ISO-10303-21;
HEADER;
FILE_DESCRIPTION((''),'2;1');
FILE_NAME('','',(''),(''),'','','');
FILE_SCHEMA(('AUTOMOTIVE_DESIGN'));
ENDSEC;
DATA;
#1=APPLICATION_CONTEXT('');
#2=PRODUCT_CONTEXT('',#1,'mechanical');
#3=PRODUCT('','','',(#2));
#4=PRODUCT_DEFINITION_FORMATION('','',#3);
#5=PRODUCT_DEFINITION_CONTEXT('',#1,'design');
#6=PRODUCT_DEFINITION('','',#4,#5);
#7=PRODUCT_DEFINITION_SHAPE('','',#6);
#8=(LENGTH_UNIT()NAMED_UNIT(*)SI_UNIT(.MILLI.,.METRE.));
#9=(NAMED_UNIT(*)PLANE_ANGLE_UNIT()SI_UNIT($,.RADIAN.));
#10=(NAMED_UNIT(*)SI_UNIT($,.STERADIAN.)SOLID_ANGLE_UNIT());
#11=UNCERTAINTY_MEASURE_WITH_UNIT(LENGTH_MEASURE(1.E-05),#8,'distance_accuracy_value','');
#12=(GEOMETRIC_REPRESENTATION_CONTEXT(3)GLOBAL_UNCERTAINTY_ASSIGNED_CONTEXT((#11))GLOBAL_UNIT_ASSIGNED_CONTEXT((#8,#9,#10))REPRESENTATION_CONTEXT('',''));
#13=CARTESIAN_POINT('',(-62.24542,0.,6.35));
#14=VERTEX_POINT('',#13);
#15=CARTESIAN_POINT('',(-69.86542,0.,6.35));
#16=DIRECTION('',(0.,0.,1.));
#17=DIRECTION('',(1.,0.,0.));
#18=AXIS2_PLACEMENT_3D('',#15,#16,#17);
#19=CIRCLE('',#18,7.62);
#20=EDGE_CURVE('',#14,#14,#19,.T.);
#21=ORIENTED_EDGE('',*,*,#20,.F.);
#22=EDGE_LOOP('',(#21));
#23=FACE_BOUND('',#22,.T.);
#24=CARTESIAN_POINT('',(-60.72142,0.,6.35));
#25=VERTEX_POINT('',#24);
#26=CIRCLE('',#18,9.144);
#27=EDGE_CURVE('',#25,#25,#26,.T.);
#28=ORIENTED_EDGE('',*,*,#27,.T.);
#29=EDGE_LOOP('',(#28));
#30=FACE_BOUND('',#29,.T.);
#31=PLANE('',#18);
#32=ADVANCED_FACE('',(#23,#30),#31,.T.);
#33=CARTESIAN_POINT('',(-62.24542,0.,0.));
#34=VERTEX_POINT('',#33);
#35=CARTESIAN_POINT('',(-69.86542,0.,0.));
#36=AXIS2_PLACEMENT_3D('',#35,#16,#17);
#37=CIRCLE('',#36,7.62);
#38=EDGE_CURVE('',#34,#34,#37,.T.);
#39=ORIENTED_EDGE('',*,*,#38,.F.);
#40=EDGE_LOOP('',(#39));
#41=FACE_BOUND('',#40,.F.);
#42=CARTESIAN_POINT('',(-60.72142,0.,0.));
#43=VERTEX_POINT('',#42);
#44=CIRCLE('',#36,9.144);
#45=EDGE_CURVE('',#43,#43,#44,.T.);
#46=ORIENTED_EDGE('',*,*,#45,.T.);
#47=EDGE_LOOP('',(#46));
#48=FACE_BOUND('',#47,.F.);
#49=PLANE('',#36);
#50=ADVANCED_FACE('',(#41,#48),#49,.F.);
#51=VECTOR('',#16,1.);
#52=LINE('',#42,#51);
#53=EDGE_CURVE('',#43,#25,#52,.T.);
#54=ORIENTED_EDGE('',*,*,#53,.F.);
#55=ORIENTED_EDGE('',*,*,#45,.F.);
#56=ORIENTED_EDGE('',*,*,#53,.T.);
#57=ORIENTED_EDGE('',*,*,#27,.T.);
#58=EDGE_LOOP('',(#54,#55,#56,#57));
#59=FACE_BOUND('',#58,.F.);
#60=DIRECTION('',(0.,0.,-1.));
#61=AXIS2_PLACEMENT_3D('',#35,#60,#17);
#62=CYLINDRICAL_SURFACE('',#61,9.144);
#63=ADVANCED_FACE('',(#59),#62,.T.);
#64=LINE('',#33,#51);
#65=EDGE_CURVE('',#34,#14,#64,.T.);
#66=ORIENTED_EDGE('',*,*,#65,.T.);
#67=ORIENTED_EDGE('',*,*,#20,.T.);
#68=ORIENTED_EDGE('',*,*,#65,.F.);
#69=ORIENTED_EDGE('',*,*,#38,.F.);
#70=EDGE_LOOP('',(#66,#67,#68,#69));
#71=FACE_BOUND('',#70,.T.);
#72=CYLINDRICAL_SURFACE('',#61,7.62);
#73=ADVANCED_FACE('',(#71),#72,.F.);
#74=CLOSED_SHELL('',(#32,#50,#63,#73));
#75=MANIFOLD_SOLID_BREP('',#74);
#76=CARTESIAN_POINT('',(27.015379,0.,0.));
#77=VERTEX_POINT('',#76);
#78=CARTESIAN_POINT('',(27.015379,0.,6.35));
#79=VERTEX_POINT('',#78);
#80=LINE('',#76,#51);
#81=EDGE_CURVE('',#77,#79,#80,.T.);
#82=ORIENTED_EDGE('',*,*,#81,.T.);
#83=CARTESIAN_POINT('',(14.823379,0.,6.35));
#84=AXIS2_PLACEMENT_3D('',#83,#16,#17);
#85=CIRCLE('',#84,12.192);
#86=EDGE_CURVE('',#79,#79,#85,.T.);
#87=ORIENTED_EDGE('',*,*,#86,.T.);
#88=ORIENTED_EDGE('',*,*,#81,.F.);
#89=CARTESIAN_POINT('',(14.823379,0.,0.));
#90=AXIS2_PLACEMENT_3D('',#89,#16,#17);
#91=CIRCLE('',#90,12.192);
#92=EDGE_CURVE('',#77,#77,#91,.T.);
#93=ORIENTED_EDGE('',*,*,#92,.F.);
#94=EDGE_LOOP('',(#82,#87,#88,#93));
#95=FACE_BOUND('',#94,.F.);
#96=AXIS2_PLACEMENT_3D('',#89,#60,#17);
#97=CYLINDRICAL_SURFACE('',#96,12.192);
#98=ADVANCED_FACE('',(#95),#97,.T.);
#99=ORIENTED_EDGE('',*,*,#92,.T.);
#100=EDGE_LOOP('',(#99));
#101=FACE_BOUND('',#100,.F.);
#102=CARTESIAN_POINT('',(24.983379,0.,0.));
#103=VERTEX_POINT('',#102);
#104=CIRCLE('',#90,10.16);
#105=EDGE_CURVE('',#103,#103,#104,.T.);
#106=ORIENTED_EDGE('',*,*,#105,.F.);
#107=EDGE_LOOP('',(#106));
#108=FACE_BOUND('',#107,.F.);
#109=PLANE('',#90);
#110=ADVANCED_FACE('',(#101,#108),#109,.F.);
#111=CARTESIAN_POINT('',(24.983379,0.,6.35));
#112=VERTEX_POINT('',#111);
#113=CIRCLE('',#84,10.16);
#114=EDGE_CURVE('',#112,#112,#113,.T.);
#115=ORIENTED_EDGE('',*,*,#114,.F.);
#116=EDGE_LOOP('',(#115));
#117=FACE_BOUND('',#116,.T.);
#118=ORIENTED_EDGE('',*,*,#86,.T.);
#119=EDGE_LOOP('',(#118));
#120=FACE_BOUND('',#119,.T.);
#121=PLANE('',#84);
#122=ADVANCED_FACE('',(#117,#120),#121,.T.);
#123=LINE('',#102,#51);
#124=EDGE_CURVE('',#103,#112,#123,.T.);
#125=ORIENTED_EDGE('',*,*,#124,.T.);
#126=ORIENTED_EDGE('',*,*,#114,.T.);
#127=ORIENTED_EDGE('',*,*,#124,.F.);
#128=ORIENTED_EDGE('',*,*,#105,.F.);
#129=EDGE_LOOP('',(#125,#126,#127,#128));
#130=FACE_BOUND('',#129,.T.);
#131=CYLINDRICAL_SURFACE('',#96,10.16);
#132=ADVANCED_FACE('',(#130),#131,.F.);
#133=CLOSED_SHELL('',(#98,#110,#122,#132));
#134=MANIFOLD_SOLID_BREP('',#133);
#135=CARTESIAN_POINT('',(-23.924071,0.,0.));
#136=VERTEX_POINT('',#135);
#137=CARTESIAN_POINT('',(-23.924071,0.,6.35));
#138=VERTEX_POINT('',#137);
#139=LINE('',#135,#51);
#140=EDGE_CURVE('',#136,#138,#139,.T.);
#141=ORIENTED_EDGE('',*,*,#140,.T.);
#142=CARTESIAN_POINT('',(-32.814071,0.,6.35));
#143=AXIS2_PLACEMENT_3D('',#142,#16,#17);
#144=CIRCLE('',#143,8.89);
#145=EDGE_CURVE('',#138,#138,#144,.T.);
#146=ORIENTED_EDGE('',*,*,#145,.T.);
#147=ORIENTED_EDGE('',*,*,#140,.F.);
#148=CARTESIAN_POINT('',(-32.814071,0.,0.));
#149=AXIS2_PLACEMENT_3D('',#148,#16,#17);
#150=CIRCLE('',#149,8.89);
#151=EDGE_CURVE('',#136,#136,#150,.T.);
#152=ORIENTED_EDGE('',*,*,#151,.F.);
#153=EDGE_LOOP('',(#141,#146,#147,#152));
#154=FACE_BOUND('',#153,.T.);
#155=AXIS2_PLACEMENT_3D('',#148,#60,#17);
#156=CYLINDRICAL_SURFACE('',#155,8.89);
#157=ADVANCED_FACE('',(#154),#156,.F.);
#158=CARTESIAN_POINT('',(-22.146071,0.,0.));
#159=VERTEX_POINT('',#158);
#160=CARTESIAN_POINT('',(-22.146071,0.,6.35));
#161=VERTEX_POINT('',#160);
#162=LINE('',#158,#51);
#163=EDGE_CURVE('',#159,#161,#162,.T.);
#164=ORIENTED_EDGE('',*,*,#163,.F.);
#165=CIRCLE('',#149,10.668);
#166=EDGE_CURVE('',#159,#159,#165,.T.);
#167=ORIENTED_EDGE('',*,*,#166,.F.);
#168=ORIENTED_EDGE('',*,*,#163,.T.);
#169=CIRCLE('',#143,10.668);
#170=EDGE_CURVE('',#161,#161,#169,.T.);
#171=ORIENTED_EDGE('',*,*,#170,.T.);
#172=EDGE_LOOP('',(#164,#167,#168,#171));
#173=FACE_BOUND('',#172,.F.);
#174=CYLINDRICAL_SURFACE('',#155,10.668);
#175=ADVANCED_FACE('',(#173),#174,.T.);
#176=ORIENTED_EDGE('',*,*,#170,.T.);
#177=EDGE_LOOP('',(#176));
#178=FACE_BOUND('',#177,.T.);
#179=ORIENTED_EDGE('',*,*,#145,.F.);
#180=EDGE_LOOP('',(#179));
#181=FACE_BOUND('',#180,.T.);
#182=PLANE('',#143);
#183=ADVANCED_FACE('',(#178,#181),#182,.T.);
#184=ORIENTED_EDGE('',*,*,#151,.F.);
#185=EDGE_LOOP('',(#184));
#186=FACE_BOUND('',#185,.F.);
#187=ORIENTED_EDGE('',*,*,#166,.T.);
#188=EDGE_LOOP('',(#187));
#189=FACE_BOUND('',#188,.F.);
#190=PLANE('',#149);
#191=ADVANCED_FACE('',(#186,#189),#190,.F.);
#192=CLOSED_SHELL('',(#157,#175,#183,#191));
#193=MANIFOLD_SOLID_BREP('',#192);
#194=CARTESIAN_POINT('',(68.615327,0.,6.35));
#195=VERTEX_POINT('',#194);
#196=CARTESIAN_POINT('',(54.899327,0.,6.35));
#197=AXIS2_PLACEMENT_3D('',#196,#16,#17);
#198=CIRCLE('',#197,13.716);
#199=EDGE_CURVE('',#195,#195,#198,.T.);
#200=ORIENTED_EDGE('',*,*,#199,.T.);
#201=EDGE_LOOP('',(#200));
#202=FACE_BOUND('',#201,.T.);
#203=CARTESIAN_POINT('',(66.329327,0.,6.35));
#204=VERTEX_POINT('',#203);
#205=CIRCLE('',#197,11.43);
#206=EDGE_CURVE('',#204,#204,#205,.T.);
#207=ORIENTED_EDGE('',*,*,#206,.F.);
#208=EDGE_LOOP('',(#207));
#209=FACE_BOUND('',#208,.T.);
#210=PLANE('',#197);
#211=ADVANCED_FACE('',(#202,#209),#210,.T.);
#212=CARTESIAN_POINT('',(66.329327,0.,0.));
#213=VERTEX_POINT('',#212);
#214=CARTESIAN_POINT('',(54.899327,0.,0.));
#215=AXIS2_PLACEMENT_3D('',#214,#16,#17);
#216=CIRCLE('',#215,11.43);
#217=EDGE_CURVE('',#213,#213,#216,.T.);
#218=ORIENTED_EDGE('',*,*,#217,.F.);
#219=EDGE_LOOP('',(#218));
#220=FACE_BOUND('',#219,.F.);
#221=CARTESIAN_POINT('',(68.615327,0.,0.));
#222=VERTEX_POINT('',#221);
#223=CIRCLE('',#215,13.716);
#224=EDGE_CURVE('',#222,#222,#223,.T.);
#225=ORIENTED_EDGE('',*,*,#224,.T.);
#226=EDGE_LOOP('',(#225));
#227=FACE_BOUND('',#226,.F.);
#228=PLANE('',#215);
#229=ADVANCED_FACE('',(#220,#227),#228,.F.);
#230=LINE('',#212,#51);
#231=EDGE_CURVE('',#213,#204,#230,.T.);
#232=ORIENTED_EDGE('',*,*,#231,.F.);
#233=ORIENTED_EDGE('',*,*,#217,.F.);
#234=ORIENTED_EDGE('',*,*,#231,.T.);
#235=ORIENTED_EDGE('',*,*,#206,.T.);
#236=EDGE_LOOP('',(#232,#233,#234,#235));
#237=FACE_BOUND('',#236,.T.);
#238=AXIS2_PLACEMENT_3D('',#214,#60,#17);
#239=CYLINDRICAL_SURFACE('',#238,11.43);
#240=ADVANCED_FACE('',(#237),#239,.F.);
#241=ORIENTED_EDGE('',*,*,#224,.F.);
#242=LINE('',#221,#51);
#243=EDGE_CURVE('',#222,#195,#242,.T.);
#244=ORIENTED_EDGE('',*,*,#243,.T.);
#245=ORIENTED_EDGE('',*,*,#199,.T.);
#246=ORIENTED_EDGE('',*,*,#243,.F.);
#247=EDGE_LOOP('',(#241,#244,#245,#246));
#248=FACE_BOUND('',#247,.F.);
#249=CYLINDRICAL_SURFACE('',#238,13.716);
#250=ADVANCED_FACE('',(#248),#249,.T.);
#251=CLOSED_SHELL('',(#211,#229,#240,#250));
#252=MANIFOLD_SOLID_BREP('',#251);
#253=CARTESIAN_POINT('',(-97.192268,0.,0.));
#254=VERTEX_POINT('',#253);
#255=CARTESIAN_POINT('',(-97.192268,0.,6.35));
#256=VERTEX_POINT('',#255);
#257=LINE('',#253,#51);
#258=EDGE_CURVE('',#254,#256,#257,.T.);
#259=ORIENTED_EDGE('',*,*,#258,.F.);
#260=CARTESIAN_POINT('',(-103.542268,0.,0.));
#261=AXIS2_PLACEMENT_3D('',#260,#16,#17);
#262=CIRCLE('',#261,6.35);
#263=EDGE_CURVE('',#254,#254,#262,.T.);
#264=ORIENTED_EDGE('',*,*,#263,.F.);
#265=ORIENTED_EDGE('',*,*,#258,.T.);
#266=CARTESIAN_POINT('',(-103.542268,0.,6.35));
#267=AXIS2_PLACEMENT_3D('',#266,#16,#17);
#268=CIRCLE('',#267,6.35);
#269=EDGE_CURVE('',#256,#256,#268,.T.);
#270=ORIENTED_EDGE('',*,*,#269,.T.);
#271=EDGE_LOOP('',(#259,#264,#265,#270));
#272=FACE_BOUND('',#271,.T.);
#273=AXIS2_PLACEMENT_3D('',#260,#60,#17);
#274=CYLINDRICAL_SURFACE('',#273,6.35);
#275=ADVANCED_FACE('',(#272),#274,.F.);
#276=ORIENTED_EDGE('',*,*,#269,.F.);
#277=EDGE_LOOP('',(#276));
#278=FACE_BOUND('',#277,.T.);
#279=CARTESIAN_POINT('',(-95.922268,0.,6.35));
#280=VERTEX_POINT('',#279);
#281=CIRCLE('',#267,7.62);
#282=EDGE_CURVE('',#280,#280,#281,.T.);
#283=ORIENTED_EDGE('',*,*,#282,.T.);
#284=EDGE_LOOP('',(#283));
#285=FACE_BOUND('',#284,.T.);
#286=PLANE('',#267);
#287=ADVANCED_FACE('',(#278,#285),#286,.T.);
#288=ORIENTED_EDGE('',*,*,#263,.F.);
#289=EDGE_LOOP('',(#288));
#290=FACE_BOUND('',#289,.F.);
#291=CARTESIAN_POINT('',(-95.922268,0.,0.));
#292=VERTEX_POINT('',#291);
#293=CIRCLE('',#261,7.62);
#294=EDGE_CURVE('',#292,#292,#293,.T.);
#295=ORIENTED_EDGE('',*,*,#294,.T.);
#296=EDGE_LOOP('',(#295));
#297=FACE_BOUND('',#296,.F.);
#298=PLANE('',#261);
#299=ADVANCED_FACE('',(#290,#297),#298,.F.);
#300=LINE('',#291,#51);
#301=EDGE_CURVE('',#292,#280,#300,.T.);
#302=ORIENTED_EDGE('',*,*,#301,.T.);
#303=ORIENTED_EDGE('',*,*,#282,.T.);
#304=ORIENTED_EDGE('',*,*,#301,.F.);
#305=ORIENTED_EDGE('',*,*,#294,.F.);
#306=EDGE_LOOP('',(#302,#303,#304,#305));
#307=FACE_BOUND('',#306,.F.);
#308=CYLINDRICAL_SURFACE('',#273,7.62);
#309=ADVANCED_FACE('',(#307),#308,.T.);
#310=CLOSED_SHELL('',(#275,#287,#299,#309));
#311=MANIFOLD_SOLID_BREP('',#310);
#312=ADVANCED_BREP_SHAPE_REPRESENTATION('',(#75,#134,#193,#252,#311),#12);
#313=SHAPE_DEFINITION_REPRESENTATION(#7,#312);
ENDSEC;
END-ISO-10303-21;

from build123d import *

# Parameters (mm, degrees)
F0_R     = 7.62
F0_R_2   = 6.35
F0_R_3   = 9.144
F0_R_4   = 10.668
F0_R_5   = 8.89
F0_R_6   = 12.192
F0_R_7   = 10.16
F0_R_8   = 13.716
F0_R_9   = 11.43
F1_DEPTH = 6.35


with BuildPart() as f1:
    # F0 (on Top) → F1 (new body)
    with BuildSketch(Plane.XY):
        with Locations((-103.542268, 0)):
            Circle(F0_R)
        with Locations((-103.542268, 0)):
            Circle(F0_R_2, mode=Mode.SUBTRACT)
        with Locations((-69.86542, 0)):
            Circle(F0_R_3)
        with Locations((-69.86542, 0)):
            Circle(F0_R, mode=Mode.SUBTRACT)
        with Locations((-32.814071, 0)):
            Circle(F0_R_4)
        with Locations((-32.814071, 0)):
            Circle(F0_R_5, mode=Mode.SUBTRACT)
        with Locations((14.823379, 0)):
            Circle(F0_R_6)
        with Locations((14.823379, 0)):
            Circle(F0_R_7, mode=Mode.SUBTRACT)
        with Locations((54.899327, 0)):
            Circle(F0_R_8)
        with Locations((54.899327, 0)):
            Circle(F0_R_9, mode=Mode.SUBTRACT)
    extrude(amount=F1_DEPTH)


solid = f1.part
